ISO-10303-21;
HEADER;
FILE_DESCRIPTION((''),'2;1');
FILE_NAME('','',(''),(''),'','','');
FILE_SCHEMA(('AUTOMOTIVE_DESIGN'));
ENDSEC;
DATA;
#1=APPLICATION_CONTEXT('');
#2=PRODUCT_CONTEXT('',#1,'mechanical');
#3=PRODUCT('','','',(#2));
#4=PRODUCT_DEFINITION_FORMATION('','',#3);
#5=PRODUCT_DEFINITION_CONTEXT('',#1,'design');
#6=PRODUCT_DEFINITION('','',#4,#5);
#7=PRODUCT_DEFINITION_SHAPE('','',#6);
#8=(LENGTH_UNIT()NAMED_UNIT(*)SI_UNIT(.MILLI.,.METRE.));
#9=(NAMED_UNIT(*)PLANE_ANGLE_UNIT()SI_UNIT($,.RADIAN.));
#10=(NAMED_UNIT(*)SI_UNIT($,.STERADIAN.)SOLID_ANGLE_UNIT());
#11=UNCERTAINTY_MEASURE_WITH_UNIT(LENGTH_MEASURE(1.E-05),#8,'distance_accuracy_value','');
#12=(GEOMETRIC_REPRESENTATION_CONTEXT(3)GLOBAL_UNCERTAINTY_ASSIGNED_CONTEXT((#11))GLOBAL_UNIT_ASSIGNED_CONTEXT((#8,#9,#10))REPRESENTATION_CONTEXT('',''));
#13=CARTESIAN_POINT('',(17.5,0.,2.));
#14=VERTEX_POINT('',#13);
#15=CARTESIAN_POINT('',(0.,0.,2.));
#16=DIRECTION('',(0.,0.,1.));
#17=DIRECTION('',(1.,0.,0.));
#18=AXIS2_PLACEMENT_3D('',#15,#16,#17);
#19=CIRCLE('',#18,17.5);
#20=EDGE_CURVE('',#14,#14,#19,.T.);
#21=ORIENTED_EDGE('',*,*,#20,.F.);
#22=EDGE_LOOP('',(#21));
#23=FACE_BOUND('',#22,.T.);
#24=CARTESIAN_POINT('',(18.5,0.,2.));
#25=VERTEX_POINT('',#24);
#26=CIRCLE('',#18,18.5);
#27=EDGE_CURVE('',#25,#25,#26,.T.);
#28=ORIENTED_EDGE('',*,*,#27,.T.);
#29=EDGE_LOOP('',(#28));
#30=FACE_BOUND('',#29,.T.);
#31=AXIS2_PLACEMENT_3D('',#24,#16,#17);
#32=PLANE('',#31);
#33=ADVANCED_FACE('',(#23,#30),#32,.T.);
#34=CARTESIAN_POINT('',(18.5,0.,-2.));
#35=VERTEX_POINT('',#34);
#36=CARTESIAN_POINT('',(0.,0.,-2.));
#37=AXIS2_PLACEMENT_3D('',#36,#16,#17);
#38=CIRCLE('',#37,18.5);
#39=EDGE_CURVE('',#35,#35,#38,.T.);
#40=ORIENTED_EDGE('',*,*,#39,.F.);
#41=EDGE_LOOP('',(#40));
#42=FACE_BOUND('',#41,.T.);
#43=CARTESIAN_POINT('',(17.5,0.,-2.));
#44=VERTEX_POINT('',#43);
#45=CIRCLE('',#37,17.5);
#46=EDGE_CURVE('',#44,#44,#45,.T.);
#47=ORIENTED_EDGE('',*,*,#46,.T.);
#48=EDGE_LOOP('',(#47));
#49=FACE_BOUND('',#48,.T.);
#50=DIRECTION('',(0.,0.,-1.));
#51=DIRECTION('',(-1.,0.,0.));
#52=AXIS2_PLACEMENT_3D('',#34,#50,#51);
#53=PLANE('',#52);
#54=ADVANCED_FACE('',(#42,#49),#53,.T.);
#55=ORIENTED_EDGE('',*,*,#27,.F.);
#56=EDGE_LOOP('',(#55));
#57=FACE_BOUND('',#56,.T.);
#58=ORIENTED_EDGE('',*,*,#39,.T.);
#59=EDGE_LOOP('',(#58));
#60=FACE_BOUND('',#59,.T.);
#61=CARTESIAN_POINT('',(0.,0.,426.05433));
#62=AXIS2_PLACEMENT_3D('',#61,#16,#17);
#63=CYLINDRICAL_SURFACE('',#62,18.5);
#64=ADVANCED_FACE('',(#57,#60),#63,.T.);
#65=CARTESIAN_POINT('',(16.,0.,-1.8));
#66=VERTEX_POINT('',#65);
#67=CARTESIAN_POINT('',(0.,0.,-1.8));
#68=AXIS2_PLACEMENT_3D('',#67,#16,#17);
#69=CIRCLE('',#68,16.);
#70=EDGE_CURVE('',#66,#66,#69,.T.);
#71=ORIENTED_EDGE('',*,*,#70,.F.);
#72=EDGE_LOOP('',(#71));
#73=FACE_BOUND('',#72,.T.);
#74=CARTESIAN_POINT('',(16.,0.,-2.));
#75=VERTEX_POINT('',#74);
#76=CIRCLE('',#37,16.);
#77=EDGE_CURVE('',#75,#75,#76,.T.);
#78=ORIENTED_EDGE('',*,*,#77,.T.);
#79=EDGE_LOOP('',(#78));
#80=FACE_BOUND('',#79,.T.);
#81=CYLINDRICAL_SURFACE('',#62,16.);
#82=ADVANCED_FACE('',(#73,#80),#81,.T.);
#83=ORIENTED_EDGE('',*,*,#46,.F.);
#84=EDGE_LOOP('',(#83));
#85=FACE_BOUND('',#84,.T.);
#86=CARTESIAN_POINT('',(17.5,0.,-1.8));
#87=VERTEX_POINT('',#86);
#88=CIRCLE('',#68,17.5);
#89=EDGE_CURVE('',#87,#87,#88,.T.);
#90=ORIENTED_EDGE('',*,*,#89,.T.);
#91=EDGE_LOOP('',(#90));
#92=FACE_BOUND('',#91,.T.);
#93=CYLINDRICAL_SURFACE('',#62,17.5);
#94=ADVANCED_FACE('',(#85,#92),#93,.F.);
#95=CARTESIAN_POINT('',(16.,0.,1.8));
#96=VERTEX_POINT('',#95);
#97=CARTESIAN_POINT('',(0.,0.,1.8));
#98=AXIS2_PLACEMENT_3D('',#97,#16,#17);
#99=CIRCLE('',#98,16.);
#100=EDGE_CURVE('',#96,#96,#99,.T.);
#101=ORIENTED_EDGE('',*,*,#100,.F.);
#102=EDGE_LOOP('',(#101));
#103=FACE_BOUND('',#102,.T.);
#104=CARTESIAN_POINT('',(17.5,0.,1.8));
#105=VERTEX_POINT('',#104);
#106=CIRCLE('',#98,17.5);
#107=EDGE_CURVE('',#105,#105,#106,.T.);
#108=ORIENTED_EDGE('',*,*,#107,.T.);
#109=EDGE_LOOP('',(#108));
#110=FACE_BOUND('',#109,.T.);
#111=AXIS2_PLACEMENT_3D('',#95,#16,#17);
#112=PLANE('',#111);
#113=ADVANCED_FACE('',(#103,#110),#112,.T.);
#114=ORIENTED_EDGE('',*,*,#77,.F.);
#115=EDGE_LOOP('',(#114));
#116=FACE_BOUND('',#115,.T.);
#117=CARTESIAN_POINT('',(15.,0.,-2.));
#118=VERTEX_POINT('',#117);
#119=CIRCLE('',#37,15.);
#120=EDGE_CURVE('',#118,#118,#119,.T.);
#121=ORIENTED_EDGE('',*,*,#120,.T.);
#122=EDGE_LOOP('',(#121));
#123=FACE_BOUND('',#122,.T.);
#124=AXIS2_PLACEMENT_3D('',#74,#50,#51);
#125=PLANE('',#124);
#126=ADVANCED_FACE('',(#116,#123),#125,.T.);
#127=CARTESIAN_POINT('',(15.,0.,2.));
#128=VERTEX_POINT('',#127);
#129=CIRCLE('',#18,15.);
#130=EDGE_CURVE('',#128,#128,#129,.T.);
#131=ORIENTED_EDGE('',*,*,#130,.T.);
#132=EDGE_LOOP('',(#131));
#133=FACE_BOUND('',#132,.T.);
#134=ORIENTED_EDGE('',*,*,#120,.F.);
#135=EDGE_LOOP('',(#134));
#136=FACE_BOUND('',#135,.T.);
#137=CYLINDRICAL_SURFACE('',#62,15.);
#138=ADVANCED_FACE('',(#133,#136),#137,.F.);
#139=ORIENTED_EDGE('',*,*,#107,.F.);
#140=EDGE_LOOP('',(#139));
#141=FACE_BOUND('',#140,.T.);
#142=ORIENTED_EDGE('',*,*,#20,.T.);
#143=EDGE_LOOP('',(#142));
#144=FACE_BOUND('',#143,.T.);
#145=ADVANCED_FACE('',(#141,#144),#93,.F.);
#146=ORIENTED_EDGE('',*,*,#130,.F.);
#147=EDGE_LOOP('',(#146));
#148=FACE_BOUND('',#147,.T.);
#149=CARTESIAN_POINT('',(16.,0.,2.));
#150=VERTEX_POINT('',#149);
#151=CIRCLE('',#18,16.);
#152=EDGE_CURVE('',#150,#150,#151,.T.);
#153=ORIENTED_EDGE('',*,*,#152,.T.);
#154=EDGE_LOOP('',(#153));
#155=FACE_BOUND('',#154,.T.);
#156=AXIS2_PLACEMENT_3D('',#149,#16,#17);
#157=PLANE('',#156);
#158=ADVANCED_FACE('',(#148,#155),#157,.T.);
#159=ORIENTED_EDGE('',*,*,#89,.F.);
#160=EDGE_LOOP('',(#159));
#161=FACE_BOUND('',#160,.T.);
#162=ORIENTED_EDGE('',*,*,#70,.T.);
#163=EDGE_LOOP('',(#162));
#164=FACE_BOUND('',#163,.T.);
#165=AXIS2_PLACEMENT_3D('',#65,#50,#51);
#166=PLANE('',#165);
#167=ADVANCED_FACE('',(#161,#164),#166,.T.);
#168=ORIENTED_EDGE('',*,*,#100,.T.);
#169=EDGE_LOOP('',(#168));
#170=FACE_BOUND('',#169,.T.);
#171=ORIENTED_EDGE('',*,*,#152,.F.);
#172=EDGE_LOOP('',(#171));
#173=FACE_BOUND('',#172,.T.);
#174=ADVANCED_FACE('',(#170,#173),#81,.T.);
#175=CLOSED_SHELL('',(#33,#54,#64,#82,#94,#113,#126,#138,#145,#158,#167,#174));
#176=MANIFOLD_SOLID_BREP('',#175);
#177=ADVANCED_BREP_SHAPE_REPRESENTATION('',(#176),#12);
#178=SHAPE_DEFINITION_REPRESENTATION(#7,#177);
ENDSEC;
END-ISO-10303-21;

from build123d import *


with BuildPart() as part:
    # 草图2 → 旋转1 (revolve)
    with BuildSketch(Plane(origin=(0, 0, 0), x_dir=(1, 0, 0), z_dir=(0, 1, 0))):
        Polygon((16, 2), (16, 1.8), (17.5, 1.8), (17.5, 2), (18.5, 2), (18.5, -2), (17.5, -2), (17.5, -1.8), (16, -1.8), (16, -2), (15, -2), (15, 2), align=None)
    revolve(axis=Axis((0, 0, 426.054329645), (0, 0, -1)))


solid = part.part
